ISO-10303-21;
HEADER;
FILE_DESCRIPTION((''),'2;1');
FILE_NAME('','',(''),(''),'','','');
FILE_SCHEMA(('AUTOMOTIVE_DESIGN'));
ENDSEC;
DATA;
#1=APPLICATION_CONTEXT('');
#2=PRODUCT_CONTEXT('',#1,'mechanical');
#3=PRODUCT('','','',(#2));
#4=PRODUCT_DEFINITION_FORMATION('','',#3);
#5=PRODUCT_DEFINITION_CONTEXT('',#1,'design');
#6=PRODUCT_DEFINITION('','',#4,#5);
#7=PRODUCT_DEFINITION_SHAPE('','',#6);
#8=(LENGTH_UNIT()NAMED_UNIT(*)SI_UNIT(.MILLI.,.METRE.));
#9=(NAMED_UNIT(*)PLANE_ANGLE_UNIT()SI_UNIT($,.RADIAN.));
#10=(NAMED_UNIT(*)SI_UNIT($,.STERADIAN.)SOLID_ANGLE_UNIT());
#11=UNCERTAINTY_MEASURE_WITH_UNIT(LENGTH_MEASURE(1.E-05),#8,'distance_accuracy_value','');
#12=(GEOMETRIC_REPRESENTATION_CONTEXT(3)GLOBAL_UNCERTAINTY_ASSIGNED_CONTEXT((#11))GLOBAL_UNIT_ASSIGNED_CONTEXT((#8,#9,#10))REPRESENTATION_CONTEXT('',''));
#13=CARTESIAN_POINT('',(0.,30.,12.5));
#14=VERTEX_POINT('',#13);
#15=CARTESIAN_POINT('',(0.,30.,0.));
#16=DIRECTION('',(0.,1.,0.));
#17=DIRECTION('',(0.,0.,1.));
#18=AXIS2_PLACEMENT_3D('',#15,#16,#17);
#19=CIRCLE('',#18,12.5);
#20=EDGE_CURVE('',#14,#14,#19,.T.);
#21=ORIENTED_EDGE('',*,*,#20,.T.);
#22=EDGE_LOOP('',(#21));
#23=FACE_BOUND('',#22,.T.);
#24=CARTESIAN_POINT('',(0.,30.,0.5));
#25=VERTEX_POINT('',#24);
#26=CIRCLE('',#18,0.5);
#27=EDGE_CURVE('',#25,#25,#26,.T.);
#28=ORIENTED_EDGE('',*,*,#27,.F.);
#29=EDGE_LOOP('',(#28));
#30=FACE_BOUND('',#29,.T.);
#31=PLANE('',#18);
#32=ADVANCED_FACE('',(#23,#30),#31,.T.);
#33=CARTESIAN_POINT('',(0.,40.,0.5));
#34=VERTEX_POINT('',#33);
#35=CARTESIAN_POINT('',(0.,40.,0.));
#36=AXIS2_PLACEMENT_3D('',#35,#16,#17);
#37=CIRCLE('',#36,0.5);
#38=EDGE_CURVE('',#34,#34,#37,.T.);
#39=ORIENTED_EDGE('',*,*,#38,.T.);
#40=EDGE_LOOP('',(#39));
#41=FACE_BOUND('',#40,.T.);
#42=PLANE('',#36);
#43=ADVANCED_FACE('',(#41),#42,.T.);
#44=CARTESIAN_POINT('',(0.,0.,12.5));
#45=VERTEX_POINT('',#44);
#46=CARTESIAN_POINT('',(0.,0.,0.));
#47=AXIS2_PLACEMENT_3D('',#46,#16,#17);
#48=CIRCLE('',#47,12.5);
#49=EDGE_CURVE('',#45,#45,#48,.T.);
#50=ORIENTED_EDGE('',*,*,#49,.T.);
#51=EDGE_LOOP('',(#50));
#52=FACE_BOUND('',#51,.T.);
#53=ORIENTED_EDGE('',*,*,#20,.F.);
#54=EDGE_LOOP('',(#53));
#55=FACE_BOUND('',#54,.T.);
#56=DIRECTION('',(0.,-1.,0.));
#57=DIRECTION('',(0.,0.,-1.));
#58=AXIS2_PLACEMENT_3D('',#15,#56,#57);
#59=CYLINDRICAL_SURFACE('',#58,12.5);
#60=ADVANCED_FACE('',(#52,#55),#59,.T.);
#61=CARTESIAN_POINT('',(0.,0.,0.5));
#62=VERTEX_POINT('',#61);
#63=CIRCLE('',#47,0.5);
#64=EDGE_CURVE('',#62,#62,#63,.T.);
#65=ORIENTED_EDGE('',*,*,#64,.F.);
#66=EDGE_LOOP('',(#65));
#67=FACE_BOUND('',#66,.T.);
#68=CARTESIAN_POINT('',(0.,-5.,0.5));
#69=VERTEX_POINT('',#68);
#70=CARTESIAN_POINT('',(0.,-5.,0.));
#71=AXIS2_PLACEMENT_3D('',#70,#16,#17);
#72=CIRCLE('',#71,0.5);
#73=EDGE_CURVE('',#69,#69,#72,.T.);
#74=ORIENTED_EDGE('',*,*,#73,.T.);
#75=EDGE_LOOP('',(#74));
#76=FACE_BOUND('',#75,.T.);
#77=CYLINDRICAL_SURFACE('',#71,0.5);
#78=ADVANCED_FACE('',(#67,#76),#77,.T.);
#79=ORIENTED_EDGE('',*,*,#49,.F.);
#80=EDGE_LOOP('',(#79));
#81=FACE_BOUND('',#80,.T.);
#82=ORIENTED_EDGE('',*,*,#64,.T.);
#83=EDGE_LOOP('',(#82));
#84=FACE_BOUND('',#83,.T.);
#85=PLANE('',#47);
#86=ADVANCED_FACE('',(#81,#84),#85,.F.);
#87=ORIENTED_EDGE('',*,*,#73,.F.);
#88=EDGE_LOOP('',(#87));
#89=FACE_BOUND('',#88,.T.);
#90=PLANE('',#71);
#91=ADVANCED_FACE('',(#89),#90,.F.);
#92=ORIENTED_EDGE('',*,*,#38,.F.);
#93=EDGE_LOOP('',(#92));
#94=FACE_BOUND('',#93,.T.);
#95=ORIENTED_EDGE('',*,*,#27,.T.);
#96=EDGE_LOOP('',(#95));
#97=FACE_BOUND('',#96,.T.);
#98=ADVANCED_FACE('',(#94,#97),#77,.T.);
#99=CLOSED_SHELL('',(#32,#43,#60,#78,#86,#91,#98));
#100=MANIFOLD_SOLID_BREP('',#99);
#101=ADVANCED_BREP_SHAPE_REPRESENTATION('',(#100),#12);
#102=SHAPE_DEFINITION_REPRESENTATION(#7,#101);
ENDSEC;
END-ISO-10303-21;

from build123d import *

# Parameters (mm, degrees)
SKETCH1_R                = 12.5
BOSS_EXTRUDE1_DEPTH      = 30
BOSS_EXTRUDE2_DEPTH      = 10
BOSS_EXTRUDE2_DEPTH_BACK = 35
SKETCH2_R                = 0.5


with BuildPart() as part:
    # Sketch1 → Boss-Extrude1 (new body)
    with BuildSketch(Plane(origin=(0, 0, 0), x_dir=(1, 0, 0), z_dir=(0, 1, 0))):
        with Locations(Location((0, 0, 0), (0, 0, 270))):
            Circle(SKETCH1_R)
    extrude(amount=BOSS_EXTRUDE1_DEPTH)

    # Sketch2 → Boss-Extrude2 (add, two sides: drawn at the far end of the back side and taken through both)
    with BuildSketch(Plane(origin=(0, 30, 0), x_dir=(1, 0, 0), z_dir=(0, 1, 0)).offset(-BOSS_EXTRUDE2_DEPTH_BACK)):
        with Locations(Location((0, 0, 0), (0, 0, 270))):
            Circle(SKETCH2_R)
    extrude(amount=BOSS_EXTRUDE2_DEPTH + BOSS_EXTRUDE2_DEPTH_BACK)


solid = part.part
